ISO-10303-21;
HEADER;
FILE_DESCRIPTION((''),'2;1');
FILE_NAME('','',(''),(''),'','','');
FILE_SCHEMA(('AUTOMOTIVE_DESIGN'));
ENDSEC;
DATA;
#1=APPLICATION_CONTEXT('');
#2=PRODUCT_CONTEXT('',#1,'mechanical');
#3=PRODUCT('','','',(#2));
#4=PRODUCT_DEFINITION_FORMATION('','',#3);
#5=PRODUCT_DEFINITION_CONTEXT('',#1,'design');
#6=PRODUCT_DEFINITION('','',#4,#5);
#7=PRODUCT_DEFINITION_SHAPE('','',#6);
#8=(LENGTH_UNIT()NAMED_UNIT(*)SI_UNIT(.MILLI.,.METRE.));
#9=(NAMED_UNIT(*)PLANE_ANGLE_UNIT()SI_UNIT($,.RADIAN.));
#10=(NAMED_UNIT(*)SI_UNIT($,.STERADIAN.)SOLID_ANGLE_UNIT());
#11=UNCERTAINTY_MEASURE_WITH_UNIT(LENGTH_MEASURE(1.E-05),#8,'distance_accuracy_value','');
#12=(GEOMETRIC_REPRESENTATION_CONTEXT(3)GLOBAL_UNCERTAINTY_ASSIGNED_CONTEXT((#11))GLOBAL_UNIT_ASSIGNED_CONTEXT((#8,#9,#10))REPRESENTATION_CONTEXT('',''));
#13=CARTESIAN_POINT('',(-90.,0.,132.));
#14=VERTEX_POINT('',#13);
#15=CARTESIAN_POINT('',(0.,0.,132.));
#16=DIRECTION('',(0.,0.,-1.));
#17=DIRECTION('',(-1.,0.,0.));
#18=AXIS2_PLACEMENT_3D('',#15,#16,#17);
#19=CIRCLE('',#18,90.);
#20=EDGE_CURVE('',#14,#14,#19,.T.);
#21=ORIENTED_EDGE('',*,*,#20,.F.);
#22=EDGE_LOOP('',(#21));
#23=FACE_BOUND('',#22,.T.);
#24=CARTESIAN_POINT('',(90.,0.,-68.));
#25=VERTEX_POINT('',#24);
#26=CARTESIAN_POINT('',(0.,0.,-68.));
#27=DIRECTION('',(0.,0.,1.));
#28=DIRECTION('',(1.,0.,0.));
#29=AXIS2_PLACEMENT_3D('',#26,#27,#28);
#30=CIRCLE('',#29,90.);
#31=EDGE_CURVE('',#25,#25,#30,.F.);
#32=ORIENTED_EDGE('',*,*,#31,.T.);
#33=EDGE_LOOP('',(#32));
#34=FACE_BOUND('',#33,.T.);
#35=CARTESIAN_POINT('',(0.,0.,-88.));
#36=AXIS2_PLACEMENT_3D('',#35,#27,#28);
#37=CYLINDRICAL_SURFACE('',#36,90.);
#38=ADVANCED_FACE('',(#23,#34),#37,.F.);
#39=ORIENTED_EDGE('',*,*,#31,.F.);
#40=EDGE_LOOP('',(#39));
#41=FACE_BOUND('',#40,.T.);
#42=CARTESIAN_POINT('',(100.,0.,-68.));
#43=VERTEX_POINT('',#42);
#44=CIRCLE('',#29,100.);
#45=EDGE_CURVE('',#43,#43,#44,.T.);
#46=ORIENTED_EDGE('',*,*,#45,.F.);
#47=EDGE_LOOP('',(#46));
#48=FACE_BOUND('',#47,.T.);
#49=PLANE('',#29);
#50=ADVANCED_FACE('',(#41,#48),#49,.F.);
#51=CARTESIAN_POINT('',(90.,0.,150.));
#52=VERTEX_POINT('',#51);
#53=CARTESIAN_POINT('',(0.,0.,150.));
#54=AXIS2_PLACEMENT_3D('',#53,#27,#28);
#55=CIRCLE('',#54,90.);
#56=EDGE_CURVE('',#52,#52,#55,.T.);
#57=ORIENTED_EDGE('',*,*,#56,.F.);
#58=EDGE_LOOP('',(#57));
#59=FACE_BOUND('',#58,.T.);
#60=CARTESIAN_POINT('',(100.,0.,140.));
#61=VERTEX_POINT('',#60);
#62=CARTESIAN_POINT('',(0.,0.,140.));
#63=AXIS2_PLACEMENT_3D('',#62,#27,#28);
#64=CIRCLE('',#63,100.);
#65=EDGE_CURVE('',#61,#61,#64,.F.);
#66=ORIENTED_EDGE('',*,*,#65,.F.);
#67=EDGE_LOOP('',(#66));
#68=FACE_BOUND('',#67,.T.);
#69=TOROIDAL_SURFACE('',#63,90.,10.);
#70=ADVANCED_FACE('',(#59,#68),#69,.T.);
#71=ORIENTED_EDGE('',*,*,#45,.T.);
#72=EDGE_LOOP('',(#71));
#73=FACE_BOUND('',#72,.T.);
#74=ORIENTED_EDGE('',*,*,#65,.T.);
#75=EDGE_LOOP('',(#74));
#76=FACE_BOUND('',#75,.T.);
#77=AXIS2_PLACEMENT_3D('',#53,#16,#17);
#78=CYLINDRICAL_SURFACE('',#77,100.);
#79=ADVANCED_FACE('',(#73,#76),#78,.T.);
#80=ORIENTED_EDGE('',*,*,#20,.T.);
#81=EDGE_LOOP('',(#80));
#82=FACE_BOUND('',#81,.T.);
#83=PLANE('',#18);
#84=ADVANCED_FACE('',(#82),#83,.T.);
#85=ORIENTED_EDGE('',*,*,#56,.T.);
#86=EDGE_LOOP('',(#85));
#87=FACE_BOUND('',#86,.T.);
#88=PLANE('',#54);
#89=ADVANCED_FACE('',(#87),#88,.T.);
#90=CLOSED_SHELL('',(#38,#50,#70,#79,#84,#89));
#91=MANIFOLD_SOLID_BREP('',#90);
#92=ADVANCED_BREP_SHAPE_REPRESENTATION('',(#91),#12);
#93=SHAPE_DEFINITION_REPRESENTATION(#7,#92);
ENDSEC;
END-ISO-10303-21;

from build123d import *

# Parameters (mm, degrees)
BOSS_EXTRUDE1_DEPTH      = 150
BOSS_EXTRUDE1_DEPTH_BACK = 68
SKETCH2_R                = 100
CUT_EXTRUDE1_DEPTH       = 20
CUT_EXTRUDE1_DEPTH_BACK  = 200
SKETCH6_R                = 90
FILLET1_R                = 10


with BuildPart() as part:
    # Sketch2 → Boss-Extrude1 (new, two sides: drawn at the far end of the back side and taken through both)
    with BuildSketch(Plane.XY.offset(-BOSS_EXTRUDE1_DEPTH_BACK)):
        Circle(SKETCH2_R)
    extrude(amount=BOSS_EXTRUDE1_DEPTH + BOSS_EXTRUDE1_DEPTH_BACK)

    # Sketch6 → Cut-Extrude1 (cut, two sides: drawn at the far end of the back side and taken through both)
    with BuildSketch(Plane(origin=(0, 0, -68), x_dir=(-1, 0, 0), z_dir=(0, 0, -1)).offset(-CUT_EXTRUDE1_DEPTH_BACK)):
        with Locations(Location((0, 0, 0), (0, 0, 180))):
            Circle(SKETCH6_R)
    extrude(amount=CUT_EXTRUDE1_DEPTH + CUT_EXTRUDE1_DEPTH_BACK, mode=Mode.SUBTRACT)

    # Fillet1
    fillet1_edges = [part.edges().sort_by_distance(p)[0] for p in [
        (-100, 0, 150),
    ]]
    fillet(fillet1_edges, radius=FILLET1_R)


solid = part.part
